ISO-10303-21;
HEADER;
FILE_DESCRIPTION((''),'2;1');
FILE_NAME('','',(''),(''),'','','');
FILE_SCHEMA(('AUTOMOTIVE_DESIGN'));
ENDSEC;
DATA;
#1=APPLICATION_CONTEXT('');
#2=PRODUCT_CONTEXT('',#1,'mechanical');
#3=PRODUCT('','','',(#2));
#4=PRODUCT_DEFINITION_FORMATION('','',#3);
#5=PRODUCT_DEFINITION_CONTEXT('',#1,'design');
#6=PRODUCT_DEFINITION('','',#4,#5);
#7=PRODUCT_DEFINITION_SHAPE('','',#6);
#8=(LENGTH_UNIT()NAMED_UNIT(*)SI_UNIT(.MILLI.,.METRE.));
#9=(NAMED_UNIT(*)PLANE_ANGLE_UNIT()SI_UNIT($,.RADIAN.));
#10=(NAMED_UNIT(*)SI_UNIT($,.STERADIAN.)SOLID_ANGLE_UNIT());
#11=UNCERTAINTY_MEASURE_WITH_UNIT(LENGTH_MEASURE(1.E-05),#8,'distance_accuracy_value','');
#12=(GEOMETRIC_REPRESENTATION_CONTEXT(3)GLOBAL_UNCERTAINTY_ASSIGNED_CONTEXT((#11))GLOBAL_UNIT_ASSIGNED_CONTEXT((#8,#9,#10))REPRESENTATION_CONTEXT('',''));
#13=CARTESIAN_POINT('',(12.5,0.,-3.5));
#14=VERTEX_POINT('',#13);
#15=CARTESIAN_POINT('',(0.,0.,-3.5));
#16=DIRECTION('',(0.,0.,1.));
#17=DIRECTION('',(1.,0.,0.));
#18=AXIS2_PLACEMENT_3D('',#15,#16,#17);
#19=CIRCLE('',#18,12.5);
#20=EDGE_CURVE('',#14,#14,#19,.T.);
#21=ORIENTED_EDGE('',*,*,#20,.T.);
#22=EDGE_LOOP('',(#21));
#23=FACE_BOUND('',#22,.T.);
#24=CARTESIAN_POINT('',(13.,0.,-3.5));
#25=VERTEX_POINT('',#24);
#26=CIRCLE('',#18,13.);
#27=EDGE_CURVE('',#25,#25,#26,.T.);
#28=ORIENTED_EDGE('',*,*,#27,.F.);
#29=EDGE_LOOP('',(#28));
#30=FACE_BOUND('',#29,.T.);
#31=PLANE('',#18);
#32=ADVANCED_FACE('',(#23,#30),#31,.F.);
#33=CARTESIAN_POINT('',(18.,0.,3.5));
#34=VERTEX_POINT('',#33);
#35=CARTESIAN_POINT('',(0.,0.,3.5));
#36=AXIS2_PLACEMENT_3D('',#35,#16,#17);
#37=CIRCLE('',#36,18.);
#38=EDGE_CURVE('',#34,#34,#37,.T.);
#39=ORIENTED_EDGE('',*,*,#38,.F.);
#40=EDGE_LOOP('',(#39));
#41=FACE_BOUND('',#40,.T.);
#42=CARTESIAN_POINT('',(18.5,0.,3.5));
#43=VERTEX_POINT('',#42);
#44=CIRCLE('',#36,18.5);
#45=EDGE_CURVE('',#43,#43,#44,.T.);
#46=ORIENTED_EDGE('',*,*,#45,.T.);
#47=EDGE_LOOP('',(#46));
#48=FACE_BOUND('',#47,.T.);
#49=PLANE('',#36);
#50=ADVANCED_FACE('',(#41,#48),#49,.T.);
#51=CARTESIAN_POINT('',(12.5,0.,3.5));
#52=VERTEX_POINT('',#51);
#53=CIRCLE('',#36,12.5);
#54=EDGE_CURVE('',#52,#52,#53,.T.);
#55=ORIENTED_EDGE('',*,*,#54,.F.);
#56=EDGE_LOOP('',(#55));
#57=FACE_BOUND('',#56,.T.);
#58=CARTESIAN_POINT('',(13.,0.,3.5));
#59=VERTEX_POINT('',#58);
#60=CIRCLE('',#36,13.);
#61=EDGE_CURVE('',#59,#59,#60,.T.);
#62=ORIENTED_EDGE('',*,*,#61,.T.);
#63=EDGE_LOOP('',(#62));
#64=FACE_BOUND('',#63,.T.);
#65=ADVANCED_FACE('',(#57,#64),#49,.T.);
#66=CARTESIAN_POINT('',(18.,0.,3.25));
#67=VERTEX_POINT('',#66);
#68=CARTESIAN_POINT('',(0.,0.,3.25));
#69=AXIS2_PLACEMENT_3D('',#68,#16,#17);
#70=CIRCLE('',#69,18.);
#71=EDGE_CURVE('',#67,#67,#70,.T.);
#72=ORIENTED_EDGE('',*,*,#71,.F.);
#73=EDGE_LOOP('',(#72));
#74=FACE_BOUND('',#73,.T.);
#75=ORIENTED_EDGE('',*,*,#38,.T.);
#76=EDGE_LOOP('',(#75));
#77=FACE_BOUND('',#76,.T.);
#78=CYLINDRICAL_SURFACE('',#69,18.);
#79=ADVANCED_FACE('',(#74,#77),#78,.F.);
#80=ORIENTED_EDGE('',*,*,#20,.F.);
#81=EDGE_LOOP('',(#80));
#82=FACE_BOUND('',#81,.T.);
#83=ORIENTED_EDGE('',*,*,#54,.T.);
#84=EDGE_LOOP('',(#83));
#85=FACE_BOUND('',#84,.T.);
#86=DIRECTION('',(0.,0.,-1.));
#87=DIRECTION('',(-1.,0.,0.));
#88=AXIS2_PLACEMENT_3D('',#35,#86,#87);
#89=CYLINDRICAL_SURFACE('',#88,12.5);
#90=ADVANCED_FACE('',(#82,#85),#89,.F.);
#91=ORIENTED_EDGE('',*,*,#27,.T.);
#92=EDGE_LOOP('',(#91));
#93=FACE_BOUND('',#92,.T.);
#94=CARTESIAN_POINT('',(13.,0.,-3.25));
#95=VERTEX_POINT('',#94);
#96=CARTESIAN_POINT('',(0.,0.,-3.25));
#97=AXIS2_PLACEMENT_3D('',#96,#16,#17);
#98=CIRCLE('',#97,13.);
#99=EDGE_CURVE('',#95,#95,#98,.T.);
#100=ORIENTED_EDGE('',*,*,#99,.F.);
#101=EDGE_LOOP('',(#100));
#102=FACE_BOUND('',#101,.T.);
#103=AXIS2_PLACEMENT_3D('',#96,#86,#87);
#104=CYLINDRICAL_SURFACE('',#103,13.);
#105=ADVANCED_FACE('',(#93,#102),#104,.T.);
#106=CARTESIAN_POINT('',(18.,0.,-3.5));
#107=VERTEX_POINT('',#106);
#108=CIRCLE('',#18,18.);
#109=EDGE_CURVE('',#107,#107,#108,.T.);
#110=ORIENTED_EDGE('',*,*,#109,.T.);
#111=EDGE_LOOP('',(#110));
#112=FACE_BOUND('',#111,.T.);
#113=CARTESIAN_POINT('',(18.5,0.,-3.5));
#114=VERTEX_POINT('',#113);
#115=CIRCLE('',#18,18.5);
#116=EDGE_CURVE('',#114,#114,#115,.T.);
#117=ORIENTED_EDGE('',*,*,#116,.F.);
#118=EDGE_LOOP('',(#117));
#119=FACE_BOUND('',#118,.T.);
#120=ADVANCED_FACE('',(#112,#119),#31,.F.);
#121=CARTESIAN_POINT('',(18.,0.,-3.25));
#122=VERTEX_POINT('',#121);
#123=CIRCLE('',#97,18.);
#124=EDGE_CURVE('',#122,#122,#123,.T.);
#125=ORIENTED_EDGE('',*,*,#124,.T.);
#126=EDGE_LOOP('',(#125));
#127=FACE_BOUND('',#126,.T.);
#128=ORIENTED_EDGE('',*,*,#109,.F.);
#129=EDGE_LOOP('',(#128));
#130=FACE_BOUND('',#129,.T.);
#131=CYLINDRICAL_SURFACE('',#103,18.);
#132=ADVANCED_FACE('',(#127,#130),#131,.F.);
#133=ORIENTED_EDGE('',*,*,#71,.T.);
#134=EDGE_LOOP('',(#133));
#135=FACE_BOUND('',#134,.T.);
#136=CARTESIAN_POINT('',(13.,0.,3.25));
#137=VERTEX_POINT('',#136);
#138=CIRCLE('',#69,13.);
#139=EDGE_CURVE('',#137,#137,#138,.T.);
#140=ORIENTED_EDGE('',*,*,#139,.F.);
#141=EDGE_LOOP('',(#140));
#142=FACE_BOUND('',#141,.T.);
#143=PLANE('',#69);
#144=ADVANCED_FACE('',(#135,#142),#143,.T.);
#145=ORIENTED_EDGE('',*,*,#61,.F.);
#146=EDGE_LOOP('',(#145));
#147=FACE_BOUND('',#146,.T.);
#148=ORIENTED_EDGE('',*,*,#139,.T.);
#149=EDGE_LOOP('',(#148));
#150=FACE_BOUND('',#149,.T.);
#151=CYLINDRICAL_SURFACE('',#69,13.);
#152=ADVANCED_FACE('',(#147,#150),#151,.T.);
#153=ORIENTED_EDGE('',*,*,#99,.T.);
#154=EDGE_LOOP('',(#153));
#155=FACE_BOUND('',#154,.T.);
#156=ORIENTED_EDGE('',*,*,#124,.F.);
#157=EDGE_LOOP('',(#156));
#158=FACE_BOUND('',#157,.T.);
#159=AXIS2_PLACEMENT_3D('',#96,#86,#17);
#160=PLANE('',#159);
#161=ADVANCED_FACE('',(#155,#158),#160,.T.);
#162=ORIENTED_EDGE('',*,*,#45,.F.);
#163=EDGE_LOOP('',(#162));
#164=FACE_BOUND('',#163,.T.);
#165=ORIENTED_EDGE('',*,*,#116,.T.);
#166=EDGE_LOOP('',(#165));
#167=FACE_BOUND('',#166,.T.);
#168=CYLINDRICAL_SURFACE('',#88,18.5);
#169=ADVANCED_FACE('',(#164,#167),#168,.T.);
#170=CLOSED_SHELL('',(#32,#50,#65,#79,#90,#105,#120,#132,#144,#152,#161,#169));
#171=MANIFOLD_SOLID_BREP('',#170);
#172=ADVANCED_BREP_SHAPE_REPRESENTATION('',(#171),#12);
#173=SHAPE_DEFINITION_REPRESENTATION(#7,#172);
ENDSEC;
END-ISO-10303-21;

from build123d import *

# Parameters (mm, degrees)
SKETCH1_R           = 18.5
SKETCH1_R_2         = 12.5
BOSS_EXTRUDE1_DEPTH = 3.5
SKETCH2_R           = 18
SKETCH2_R_2         = 13
CUT_EXTRUDE1_DEPTH  = 0.25


with BuildPart() as part:
    # Sketch1 → Boss-Extrude1 (new, symmetric)
    with BuildSketch(Plane.XY):
        Circle(SKETCH1_R)
        Circle(SKETCH1_R_2, mode=Mode.SUBTRACT)
    extrude(amount=BOSS_EXTRUDE1_DEPTH, both=True)

    # Sketch2 → Cut-Extrude1 (cut)
    with BuildSketch(Plane.XY.offset(3.5)):
        Circle(SKETCH2_R)
        Circle(SKETCH2_R_2, mode=Mode.SUBTRACT)
    cut_extrude1 = extrude(amount=-CUT_EXTRUDE1_DEPTH, mode=Mode.SUBTRACT)

    # Mirror1: Cut-Extrude1 across plane
    add(cut_extrude1.mirror(Plane.XY), mode=Mode.SUBTRACT)


solid = part.part
